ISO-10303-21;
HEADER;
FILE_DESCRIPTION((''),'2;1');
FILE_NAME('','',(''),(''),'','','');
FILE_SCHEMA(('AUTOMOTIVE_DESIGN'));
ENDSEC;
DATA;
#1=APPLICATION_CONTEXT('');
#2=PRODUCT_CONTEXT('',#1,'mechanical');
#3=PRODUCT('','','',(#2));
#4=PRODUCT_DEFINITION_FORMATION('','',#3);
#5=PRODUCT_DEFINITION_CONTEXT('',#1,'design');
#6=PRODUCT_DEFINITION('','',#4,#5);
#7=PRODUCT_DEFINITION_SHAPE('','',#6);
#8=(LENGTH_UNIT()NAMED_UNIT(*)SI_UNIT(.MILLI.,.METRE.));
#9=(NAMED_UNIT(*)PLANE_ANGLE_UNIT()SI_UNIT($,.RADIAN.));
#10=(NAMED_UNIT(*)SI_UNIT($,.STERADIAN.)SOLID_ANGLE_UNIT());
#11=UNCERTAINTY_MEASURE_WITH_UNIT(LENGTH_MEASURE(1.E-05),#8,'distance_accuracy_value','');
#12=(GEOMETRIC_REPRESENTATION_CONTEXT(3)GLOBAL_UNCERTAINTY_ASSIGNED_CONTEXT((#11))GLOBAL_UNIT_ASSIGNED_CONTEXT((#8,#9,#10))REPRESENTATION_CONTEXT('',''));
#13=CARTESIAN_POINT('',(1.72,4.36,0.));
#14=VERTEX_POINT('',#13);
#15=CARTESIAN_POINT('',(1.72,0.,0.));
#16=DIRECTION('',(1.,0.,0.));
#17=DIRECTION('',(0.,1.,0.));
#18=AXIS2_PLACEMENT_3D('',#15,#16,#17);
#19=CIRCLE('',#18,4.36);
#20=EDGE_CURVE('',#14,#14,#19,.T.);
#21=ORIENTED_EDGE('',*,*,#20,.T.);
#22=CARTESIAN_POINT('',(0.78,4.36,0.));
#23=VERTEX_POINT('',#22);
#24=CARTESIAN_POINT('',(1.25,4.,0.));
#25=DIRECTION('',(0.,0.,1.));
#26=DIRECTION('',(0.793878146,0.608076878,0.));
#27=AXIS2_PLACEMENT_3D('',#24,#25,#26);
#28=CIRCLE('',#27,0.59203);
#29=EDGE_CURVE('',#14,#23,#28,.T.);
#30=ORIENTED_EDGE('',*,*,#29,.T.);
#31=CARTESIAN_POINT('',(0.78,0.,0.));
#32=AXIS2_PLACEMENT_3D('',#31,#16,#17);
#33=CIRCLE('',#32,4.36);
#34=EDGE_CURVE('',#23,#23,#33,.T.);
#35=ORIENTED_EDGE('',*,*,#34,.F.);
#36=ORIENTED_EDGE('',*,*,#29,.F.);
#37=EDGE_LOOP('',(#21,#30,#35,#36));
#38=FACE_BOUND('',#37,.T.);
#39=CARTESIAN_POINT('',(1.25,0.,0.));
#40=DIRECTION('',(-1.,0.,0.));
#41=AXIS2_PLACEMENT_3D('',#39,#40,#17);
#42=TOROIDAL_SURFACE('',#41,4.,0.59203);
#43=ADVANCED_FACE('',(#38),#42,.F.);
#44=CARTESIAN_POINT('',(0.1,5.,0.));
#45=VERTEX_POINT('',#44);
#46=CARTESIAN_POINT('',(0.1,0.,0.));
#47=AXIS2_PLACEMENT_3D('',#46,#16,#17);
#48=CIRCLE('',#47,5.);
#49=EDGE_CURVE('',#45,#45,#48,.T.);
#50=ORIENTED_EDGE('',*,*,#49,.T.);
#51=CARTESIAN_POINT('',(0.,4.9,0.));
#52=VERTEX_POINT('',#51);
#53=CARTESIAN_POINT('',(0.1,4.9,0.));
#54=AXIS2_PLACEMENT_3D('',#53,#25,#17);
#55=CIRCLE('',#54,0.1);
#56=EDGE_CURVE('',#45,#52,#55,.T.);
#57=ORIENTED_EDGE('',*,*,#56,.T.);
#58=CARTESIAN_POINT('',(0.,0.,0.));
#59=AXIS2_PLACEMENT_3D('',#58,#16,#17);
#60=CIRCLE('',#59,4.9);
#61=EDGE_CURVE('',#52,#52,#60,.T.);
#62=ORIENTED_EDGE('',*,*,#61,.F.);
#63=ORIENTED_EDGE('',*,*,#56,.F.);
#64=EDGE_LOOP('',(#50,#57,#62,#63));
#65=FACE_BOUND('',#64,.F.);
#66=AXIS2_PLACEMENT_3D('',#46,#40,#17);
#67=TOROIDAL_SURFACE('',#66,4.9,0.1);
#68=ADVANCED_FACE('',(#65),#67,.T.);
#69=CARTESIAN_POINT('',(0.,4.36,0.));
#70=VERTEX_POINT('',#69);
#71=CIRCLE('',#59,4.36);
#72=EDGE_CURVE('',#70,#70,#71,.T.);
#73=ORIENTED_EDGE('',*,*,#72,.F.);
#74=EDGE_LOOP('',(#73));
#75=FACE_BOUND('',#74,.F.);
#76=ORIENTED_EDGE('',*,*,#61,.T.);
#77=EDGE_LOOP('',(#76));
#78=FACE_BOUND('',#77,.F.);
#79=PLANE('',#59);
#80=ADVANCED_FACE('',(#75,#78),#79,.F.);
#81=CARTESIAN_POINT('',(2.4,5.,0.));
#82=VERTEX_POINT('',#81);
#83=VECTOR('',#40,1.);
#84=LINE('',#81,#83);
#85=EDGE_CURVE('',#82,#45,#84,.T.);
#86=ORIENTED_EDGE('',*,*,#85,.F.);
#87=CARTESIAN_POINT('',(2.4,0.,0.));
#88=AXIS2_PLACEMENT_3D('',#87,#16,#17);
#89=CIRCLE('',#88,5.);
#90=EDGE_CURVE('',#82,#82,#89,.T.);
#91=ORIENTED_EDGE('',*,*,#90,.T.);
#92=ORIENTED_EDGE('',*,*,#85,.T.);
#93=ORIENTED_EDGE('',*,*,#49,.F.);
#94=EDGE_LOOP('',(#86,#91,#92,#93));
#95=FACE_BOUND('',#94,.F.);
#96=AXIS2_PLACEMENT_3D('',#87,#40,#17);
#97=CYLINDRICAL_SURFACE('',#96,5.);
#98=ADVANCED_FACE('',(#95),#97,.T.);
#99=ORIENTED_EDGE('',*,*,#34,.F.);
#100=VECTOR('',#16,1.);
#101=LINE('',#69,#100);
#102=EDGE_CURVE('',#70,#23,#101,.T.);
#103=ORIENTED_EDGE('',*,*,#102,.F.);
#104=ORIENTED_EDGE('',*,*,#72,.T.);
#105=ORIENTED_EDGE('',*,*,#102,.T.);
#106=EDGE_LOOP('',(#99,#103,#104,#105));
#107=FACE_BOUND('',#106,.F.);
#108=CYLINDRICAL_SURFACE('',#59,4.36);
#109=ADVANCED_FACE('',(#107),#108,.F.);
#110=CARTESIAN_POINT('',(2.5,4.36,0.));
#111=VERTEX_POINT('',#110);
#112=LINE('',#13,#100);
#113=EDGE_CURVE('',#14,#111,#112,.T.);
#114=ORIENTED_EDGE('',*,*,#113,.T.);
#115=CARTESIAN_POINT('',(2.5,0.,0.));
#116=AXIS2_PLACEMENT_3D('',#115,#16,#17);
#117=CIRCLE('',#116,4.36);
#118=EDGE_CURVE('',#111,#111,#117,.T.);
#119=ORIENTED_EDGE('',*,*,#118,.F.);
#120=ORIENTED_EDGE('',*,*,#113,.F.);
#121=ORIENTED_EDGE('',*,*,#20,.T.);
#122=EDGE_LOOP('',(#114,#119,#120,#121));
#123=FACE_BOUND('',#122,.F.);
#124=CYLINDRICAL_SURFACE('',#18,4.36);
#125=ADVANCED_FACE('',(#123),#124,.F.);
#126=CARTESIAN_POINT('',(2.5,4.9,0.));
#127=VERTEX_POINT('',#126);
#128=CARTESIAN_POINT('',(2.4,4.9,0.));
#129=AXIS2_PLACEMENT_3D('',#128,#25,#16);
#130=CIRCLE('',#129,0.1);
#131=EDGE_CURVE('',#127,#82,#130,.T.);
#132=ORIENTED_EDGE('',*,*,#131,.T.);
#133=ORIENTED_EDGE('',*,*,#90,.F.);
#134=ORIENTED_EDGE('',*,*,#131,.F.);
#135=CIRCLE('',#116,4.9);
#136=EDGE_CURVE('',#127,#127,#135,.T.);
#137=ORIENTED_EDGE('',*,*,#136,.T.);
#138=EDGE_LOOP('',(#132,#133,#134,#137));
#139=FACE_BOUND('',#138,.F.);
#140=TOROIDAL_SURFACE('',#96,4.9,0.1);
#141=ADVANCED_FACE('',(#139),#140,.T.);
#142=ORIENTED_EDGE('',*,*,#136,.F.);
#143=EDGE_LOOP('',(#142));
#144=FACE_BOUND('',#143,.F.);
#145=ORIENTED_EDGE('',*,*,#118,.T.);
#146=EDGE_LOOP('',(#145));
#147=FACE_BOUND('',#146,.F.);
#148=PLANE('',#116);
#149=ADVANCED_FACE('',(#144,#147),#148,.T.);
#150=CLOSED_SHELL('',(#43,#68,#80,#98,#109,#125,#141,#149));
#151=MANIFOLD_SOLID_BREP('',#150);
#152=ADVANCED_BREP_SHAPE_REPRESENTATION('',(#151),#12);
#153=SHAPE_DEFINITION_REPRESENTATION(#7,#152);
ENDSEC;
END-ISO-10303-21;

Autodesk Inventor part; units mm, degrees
sketch "Sketch_1" plane through (0, 0, 0) normal (0, 0, 1) x (1, 0, 0)
  line L0 (2.5, 0) -> (0, 0)
  line L1 (0, 4.9) -> (0, 4.36)
  line L2 (0, 4.36) -> (0.78, 4.36)
  arc A0 (1.72, 4.36) -> (0.78, 4.36) centre (1.25, 4) ccw
  line L3 (1.72, 4.36) -> (2.5, 4.36)
  line L4 (2.5, 4.36) -> (2.5, 4.9)
  arc A1 (2.5, 4.9) -> (2.4, 5) centre (2.4, 4.9) ccw
  line L5 (2.4, 5) -> (0.1, 5)
  arc A2 (0.1, 5) -> (0, 4.9) centre (0.1, 4.9) ccw
revolve "Revolution1" add sketch "Sketch_1" angle 360 about axis through (2.5, 0, 0) along (1, 0, 0)
ref_plane "mss_or_XY" through (0, 0, 0) normal (1, 0, 0) x (0, 0, -1)
ref_plane "mss_or_YZ" through (0, 0, 0) normal (0, 0, -1) x (0, 1, 0)
ref_plane "mss_or_ZX" through (0, 0, 0) normal (0, 1, 0) x (1, 0, 0)
ref_plane "mss_or11_XY" through (3, 0, 0) normal (1, 0, 0) x (0, 0, -1)
ref_plane "mss_or11_YZ" through (3, 0, 0) normal (0, 0, -1) x (0, 1, 0)
ref_plane "mss_or11_ZX" through (3, 0, 0) normal (0, 1, 0) x (1, 0, 0)
ref_plane "mss_or2_1_XY" through (1.25, 4, 0) normal (1, 0, 0) x (0, 0, -1)
ref_plane "mss_or2_1_YZ" through (1.25, 4, 0) normal (0, 0, -1) x (0, 1, 0)
ref_plane "mss_or2_1_ZX" through (1.25, 4, 0) normal (0, 1, 0) x (1, 0, 0)
ref_plane "mss_or2_10_XY" through (1.25, 0, -4) normal (1, 0, 0) x (0, 0, -1)
ref_plane "mss_or2_10_YZ" through (1.25, 0, -4) normal (0, 0, -1) x (0, 1, 0)
ref_plane "mss_or2_10_ZX" through (1.25, 0, -4) normal (0, 1, 0) x (1, 0, 0)
ref_plane "mss_or2_11_XY" through (1.25, 2, -3.4641) normal (1, 0, 0) x (0, 0, -1)
ref_plane "mss_or2_11_YZ" through (1.25, 2, -3.4641) normal (0, 0, -1) x (0, 1, 0)
ref_plane "mss_or2_11_ZX" through (1.25, 2, -3.4641) normal (0, 1, 0) x (1, 0, 0)
ref_plane "mss_or2_12_XY" through (1.25, 3.4641, -2) normal (1, 0, 0) x (0, 0, -1)
ref_plane "mss_or2_12_YZ" through (1.25, 3.4641, -2) normal (0, 0, -1) x (0, 1, 0)
ref_plane "mss_or2_12_ZX" through (1.25, 3.4641, -2) normal (0, 1, 0) x (1, 0, 0)
ref_plane "mss_or2_2_XY" through (1.25, 3.4641, 2) normal (1, 0, 0) x (0, 0, -1)
ref_plane "mss_or2_2_YZ" through (1.25, 3.4641, 2) normal (0, 0, -1) x (0, 1, 0)
ref_plane "mss_or2_2_ZX" through (1.25, 3.4641, 2) normal (0, 1, 0) x (1, 0, 0)
ref_plane "mss_or2_3_XY" through (1.25, 2, 3.4641) normal (1, 0, 0) x (0, 0, -1)
ref_plane "mss_or2_3_YZ" through (1.25, 2, 3.4641) normal (0, 0, -1) x (0, 1, 0)
ref_plane "mss_or2_3_ZX" through (1.25, 2, 3.4641) normal (0, 1, 0) x (1, 0, 0)
ref_plane "mss_or2_4_XY" through (1.25, 0, 4) normal (1, 0, 0) x (0, 0, -1)
ref_plane "mss_or2_4_YZ" through (1.25, 0, 4) normal (0, 0, -1) x (0, 1, 0)
ref_plane "mss_or2_4_ZX" through (1.25, 0, 4) normal (0, 1, 0) x (1, 0, 0)
ref_plane "mss_or2_5_XY" through (1.25, -2, 3.4641) normal (1, 0, 0) x (0, 0, -1)
ref_plane "mss_or2_5_YZ" through (1.25, -2, 3.4641) normal (0, 0, -1) x (0, 1, 0)
ref_plane "mss_or2_5_ZX" through (1.25, -2, 3.4641) normal (0, 1, 0) x (1, 0, 0)
ref_plane "mss_or2_6_XY" through (1.25, -3.4641, 2) normal (1, 0, 0) x (0, 0, -1)
ref_plane "mss_or2_6_YZ" through (1.25, -3.4641, 2) normal (0, 0, -1) x (0, 1, 0)
ref_plane "mss_or2_6_ZX" through (1.25, -3.4641, 2) normal (0, 1, 0) x (1, 0, 0)
ref_plane "mss_or2_7_XY" through (1.25, -4, 0) normal (1, 0, 0) x (0, 0, -1)
ref_plane "mss_or2_7_YZ" through (1.25, -4, 0) normal (0, 0, -1) x (0, 1, 0)
ref_plane "mss_or2_7_ZX" through (1.25, -4, 0) normal (0, 1, 0) x (1, 0, 0)
ref_plane "mss_or2_8_XY" through (1.25, -3.4641, -2) normal (1, 0, 0) x (0, 0, -1)
ref_plane "mss_or2_8_YZ" through (1.25, -3.4641, -2) normal (0, 0, -1) x (0, 1, 0)
ref_plane "mss_or2_8_ZX" through (1.25, -3.4641, -2) normal (0, 1, 0) x (1, 0, 0)
ref_plane "mss_or2_9_XY" through (1.25, -2, -3.4641) normal (1, 0, 0) x (0, 0, -1)
ref_plane "mss_or2_9_YZ" through (1.25, -2, -3.4641) normal (0, 0, -1) x (0, 1, 0)
ref_plane "mss_or2_9_ZX" through (1.25, -2, -3.4641) normal (0, 1, 0) x (1, 0, 0)
ref_plane "mss_or21_1_XY" through (1.5, 4, 0) normal (1, 0, 0) x (0, 0, -1)
ref_plane "mss_or21_1_YZ" through (1.5, 4, 0) normal (0, 0, -1) x (0, 1, 0)
ref_plane "mss_or21_1_ZX" through (1.5, 4, 0) normal (0, 1, 0) x (1, 0, 0)
ref_plane "mss_or21_10_XY" through (1.5, 0, -4) normal (1, 0, 0) x (0, 0, -1)
ref_plane "mss_or21_10_YZ" through (1.5, 0, -4) normal (0, 0, -1) x (0, 1, 0)
ref_plane "mss_or21_10_ZX" through (1.5, 0, -4) normal (0, 1, 0) x (1, 0, 0)
ref_plane "mss_or21_11_XY" through (1.5, 2, -3.4641) normal (1, 0, 0) x (0, 0, -1)
ref_plane "mss_or21_11_YZ" through (1.5, 2, -3.4641) normal (0, 0, -1) x (0, 1, 0)
ref_plane "mss_or21_11_ZX" through (1.5, 2, -3.4641) normal (0, 1, 0) x (1, 0, 0)
ref_plane "mss_or21_12_XY" through (1.5, 3.4641, -2) normal (1, 0, 0) x (0, 0, -1)
ref_plane "mss_or21_12_YZ" through (1.5, 3.4641, -2) normal (0, 0, -1) x (0, 1, 0)
ref_plane "mss_or21_12_ZX" through (1.5, 3.4641, -2) normal (0, 1, 0) x (1, 0, 0)
ref_plane "mss_or21_2_XY" through (1.5, 3.4641, 2) normal (1, 0, 0) x (0, 0, -1)
ref_plane "mss_or21_2_YZ" through (1.5, 3.4641, 2) normal (0, 0, -1) x (0, 1, 0)
ref_plane "mss_or21_2_ZX" through (1.5, 3.4641, 2) normal (0, 1, 0) x (1, 0, 0)
ref_plane "mss_or21_3_XY" through (1.5, 2, 3.4641) normal (1, 0, 0) x (0, 0, -1)
ref_plane "mss_or21_3_YZ" through (1.5, 2, 3.4641) normal (0, 0, -1) x (0, 1, 0)
ref_plane "mss_or21_3_ZX" through (1.5, 2, 3.4641) normal (0, 1, 0) x (1, 0, 0)
ref_plane "mss_or21_4_XY" through (1.5, 0, 4) normal (1, 0, 0) x (0, 0, -1)
ref_plane "mss_or21_4_YZ" through (1.5, 0, 4) normal (0, 0, -1) x (0, 1, 0)
ref_plane "mss_or21_4_ZX" through (1.5, 0, 4) normal (0, 1, 0) x (1, 0, 0)
ref_plane "mss_or21_5_XY" through (1.5, -2, 3.4641) normal (1, 0, 0) x (0, 0, -1)
ref_plane "mss_or21_5_YZ" through (1.5, -2, 3.4641) normal (0, 0, -1) x (0, 1, 0)
ref_plane "mss_or21_5_ZX" through (1.5, -2, 3.4641) normal (0, 1, 0) x (1, 0, 0)
ref_plane "mss_or21_6_XY" through (1.5, -3.4641, 2) normal (1, 0, 0) x (0, 0, -1)
ref_plane "mss_or21_6_YZ" through (1.5, -3.4641, 2) normal (0, 0, -1) x (0, 1, 0)
ref_plane "mss_or21_6_ZX" through (1.5, -3.4641, 2) normal (0, 1, 0) x (1, 0, 0)
ref_plane "mss_or21_7_XY" through (1.5, -4, 0) normal (1, 0, 0) x (0, 0, -1)
ref_plane "mss_or21_7_YZ" through (1.5, -4, 0) normal (0, 0, -1) x (0, 1, 0)
ref_plane "mss_or21_7_ZX" through (1.5, -4, 0) normal (0, 1, 0) x (1, 0, 0)
ref_plane "mss_or21_8_XY" through (1.5, -3.4641, -2) normal (1, 0, 0) x (0, 0, -1)
ref_plane "mss_or21_8_YZ" through (1.5, -3.4641, -2) normal (0, 0, -1) x (0, 1, 0)
ref_plane "mss_or21_8_ZX" through (1.5, -3.4641, -2) normal (0, 1, 0) x (1, 0, 0)
ref_plane "mss_or21_9_XY" through (1.5, -2, -3.4641) normal (1, 0, 0) x (0, 0, -1)
ref_plane "mss_or21_9_YZ" through (1.5, -2, -3.4641) normal (0, 0, -1) x (0, 1, 0)
ref_plane "mss_or21_9_ZX" through (1.5, -2, -3.4641) normal (0, 1, 0) x (1, 0, 0)
properties part number "676A Outer ring"
